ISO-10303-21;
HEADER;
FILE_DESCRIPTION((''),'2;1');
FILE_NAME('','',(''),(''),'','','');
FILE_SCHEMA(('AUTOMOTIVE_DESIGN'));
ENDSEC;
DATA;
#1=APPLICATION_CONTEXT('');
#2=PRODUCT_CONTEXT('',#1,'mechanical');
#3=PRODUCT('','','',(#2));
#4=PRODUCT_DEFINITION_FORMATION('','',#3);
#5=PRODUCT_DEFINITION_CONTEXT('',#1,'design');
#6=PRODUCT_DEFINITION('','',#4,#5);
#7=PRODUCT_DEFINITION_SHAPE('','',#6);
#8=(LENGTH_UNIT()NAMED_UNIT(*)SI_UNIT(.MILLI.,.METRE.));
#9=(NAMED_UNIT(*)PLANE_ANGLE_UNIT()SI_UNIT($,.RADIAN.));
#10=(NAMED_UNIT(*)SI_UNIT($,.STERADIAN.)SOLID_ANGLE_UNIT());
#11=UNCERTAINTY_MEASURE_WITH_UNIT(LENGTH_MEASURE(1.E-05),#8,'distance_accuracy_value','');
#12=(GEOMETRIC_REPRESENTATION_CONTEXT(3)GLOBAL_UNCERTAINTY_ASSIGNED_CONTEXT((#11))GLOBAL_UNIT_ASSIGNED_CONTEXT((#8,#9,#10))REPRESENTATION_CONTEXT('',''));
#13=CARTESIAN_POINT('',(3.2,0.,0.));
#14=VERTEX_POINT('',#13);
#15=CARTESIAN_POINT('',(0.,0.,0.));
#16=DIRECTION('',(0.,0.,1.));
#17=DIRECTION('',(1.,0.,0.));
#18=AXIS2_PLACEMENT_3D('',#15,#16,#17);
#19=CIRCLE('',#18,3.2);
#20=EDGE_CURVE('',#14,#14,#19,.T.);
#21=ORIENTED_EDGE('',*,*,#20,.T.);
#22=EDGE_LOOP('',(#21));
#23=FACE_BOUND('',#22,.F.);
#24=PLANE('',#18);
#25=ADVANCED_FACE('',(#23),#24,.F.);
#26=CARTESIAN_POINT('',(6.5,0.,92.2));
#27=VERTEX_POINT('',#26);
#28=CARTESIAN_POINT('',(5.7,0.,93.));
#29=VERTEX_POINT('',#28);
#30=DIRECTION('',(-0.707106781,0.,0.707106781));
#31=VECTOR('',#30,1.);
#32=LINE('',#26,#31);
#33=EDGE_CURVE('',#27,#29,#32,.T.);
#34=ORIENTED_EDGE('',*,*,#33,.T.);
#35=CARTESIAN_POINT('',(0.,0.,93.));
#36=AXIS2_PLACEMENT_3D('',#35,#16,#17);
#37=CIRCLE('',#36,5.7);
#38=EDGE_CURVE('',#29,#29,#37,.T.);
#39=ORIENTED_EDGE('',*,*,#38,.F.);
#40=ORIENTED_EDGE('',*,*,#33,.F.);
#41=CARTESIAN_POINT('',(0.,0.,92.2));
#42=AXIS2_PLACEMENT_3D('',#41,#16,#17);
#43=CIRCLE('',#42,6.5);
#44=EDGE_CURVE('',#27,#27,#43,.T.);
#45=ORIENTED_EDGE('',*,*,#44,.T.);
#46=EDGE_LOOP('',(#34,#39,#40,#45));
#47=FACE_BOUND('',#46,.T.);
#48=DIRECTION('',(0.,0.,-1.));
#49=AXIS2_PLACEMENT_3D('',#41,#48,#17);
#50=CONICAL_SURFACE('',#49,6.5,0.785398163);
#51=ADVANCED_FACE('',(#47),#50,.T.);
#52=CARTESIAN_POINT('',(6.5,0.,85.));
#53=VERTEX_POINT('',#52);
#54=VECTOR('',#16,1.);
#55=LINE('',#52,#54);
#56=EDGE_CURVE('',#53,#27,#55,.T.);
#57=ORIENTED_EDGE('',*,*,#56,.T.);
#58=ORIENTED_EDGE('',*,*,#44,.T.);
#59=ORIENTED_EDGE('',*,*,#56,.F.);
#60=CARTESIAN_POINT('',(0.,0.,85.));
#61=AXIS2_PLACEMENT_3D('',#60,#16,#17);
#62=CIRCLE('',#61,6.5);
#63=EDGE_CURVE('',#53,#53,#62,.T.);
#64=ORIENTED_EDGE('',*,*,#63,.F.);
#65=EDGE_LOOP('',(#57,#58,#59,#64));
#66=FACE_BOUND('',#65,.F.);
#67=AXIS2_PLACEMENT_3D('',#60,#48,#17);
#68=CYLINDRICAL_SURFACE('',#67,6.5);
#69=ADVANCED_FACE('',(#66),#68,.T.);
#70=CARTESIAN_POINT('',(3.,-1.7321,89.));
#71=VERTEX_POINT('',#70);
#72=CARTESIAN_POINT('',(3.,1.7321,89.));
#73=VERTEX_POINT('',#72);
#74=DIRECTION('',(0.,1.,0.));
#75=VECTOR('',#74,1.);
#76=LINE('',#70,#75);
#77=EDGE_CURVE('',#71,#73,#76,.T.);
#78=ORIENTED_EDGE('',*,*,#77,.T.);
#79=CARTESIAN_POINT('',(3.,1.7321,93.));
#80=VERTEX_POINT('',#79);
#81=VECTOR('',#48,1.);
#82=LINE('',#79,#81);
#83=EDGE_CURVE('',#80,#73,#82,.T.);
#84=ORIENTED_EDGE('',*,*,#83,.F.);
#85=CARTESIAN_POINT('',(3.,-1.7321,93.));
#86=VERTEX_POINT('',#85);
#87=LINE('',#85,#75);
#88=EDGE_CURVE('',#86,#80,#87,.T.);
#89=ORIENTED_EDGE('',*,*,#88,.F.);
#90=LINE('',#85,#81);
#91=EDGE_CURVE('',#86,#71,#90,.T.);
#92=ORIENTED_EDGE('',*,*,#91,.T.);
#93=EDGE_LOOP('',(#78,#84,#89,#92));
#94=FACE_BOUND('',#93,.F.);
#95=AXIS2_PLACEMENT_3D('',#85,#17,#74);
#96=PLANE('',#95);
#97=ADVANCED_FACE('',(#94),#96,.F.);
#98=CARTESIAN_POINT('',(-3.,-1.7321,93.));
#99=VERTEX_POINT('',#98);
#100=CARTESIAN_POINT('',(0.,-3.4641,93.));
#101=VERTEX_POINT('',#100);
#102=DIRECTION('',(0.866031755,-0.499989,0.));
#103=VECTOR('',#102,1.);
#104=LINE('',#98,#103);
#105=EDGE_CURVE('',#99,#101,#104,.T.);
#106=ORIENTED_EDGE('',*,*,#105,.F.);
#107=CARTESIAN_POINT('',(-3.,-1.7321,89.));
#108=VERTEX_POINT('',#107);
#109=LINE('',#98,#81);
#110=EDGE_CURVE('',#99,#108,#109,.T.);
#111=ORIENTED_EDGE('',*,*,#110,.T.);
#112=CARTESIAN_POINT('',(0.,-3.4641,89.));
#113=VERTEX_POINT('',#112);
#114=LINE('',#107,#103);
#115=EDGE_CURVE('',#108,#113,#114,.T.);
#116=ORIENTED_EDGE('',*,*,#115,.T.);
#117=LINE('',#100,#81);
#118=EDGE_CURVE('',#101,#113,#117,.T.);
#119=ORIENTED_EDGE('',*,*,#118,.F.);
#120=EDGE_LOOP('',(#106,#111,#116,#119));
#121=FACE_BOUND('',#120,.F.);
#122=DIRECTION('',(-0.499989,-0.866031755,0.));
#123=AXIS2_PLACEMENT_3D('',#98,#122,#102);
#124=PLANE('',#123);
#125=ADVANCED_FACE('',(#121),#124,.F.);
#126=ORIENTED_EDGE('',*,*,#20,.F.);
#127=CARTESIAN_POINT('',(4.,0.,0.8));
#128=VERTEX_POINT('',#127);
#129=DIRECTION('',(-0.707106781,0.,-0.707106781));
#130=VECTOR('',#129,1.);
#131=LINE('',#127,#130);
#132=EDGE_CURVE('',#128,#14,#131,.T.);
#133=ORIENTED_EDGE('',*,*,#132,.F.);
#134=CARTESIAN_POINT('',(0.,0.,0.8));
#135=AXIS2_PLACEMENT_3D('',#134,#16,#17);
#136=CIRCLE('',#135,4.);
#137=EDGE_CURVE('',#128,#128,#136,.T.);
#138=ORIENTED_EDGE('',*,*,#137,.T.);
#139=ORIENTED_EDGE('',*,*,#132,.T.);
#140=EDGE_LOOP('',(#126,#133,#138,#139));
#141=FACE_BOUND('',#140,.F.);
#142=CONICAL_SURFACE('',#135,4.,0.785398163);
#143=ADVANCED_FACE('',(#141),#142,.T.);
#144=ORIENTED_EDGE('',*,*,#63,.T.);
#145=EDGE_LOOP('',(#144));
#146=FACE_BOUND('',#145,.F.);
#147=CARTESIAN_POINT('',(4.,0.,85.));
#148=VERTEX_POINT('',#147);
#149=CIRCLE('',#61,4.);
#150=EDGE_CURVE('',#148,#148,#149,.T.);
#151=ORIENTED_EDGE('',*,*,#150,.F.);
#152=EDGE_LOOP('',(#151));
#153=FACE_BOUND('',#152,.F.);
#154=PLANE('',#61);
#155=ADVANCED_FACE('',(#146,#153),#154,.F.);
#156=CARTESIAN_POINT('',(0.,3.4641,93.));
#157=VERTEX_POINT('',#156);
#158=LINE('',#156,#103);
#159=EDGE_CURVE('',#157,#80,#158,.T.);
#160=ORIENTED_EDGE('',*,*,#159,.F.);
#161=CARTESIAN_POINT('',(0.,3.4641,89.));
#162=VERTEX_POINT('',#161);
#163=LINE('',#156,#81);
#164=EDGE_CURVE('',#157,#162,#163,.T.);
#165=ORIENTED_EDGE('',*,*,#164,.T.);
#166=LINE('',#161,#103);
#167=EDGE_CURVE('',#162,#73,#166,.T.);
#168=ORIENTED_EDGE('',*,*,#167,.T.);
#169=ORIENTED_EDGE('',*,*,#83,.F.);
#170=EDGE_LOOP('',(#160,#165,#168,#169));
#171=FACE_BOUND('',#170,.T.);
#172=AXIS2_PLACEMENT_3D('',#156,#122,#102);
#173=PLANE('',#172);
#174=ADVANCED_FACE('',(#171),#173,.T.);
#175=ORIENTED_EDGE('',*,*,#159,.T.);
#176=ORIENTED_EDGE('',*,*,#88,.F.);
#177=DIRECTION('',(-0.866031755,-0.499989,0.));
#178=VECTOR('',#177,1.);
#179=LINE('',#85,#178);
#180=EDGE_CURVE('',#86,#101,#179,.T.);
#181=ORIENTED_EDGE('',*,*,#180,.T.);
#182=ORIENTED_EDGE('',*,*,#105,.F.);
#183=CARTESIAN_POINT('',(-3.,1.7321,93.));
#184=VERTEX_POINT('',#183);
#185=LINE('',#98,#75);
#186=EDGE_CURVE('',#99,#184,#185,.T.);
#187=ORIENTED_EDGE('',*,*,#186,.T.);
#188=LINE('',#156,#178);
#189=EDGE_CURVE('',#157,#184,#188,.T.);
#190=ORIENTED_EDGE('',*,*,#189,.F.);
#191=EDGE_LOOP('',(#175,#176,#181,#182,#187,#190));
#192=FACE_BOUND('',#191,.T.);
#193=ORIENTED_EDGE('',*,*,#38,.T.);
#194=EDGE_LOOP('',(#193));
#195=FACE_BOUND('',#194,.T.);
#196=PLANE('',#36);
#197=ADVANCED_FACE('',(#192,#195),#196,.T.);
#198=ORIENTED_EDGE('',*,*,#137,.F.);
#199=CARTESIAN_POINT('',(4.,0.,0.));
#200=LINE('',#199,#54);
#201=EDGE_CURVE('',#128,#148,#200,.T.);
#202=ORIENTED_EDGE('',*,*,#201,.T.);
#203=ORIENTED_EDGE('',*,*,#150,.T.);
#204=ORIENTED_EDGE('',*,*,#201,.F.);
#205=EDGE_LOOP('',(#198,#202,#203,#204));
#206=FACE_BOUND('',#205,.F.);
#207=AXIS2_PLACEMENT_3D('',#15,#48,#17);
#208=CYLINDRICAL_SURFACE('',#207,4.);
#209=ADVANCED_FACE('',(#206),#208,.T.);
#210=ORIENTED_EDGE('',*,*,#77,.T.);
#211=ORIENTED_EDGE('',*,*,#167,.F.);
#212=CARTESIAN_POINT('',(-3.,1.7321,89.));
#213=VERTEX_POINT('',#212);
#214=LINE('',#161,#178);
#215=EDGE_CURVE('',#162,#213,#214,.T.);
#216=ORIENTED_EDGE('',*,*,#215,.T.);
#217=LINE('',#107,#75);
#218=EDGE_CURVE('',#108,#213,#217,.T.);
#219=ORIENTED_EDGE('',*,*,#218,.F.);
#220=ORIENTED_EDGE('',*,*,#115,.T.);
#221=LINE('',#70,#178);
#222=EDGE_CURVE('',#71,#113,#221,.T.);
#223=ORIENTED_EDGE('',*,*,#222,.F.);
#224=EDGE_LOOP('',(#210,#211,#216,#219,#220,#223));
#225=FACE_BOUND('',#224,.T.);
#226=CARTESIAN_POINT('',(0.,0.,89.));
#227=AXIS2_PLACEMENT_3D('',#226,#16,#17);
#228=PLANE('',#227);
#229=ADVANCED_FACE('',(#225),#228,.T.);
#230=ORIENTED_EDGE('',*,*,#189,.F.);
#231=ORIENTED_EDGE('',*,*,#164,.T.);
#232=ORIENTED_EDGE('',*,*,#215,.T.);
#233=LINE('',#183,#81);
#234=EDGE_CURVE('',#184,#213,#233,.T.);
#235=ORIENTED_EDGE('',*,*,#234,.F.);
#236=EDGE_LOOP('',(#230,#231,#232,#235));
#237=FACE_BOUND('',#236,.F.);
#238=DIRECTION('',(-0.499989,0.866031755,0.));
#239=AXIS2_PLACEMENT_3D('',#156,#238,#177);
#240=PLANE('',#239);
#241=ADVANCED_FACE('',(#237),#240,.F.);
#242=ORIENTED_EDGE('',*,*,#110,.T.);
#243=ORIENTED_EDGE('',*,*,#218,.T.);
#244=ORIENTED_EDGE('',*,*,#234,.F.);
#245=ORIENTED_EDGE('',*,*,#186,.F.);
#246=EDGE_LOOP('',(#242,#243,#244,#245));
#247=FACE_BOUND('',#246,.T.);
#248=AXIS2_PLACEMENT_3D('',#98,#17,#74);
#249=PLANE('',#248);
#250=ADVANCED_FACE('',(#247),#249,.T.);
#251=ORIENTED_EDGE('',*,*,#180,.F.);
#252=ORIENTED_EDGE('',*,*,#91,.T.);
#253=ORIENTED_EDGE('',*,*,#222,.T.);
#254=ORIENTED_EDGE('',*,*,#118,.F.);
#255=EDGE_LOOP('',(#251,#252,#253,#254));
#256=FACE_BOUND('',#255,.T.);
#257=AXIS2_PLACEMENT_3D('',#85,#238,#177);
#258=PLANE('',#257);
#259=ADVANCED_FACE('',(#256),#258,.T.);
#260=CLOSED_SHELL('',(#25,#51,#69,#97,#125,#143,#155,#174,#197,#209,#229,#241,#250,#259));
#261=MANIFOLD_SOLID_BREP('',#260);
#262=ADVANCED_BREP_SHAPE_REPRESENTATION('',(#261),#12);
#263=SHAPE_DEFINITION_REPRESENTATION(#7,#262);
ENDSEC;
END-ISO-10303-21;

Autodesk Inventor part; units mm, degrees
ref_plane "YZ Plane" through (0, 0, 0) normal (1, 0, 0) x (0, 1, 0)
ref_plane "XZ Plane" through (0, 0, 0) normal (0, 1, 0) x (-1, 0, 0)
ref_plane "XY Plane" through (0, 0, 0) normal (0, 0, 1) x (1, 0, 0)
sketch "Sketch1" plane through (0, 0, 0) normal (0, 0, 1) x (1, 0, 0)
  circle A0 centre (0, 0) radius 4
  dimension "Diameter" = 8
extrude "Extrusion1" add sketch "Sketch1" along normal blind 85
sketch "Sketch2" plane through (0, 0, 85) normal (0, 0, 1) x (1, 0, 0)
  circle A0 centre (0, 0) radius 4 projected
  circle A1 centre (0, 0) radius 6.5
  dimension "Head_Diameter" = 13
extrude "Extrusion2" add sketch "Sketch2" along normal blind 8 contours A0 | A1
sketch "Sketch3" plane through (0, 0, 93) normal (0, 0, 1) x (1, 0, 0)
  circle A0 centre (0, 0) radius 6.5 projected
  circle A1 centre (0, 0) radius 3.4641 construction
  line L0 (0, 3.4641) -> (3, 1.7321)
  line L1 (3, -1.7321) -> (3, 1.7321)
  line L2 (0, 3.4641) -> (-3, 1.7321)
  line L3 (-3, -1.7321) -> (-3, 1.7321)
  line L4 (-3, -1.7321) -> (0, -3.4641)
  line L5 (3, -1.7321) -> (0, -3.4641)
  dimension "Hex_Width" = 6
extrude "Extrusion3" cut sketch "Sketch3" against normal blind 4 contours L0 L1 L5 L4 L3 L2
thread "Thread1" size "M8x1.25" class "4g6g" standard "ANSI Metric M Profile" length 28
chamfer "Chamfer1" distance 0.8 angle 45 2 edges at (-6.5, 0, 93) (-4, 0, 0)
equation "\"d9\" = ThreadLength"
equation "\"d12\" = Chamfer"
equation "\"ThreadLength\" = 28"
equation "\"Chamfer\" = 0.8"
properties part number "SCREW, SOCKET HD, P, 12.9, M8X1.25X85MM"
